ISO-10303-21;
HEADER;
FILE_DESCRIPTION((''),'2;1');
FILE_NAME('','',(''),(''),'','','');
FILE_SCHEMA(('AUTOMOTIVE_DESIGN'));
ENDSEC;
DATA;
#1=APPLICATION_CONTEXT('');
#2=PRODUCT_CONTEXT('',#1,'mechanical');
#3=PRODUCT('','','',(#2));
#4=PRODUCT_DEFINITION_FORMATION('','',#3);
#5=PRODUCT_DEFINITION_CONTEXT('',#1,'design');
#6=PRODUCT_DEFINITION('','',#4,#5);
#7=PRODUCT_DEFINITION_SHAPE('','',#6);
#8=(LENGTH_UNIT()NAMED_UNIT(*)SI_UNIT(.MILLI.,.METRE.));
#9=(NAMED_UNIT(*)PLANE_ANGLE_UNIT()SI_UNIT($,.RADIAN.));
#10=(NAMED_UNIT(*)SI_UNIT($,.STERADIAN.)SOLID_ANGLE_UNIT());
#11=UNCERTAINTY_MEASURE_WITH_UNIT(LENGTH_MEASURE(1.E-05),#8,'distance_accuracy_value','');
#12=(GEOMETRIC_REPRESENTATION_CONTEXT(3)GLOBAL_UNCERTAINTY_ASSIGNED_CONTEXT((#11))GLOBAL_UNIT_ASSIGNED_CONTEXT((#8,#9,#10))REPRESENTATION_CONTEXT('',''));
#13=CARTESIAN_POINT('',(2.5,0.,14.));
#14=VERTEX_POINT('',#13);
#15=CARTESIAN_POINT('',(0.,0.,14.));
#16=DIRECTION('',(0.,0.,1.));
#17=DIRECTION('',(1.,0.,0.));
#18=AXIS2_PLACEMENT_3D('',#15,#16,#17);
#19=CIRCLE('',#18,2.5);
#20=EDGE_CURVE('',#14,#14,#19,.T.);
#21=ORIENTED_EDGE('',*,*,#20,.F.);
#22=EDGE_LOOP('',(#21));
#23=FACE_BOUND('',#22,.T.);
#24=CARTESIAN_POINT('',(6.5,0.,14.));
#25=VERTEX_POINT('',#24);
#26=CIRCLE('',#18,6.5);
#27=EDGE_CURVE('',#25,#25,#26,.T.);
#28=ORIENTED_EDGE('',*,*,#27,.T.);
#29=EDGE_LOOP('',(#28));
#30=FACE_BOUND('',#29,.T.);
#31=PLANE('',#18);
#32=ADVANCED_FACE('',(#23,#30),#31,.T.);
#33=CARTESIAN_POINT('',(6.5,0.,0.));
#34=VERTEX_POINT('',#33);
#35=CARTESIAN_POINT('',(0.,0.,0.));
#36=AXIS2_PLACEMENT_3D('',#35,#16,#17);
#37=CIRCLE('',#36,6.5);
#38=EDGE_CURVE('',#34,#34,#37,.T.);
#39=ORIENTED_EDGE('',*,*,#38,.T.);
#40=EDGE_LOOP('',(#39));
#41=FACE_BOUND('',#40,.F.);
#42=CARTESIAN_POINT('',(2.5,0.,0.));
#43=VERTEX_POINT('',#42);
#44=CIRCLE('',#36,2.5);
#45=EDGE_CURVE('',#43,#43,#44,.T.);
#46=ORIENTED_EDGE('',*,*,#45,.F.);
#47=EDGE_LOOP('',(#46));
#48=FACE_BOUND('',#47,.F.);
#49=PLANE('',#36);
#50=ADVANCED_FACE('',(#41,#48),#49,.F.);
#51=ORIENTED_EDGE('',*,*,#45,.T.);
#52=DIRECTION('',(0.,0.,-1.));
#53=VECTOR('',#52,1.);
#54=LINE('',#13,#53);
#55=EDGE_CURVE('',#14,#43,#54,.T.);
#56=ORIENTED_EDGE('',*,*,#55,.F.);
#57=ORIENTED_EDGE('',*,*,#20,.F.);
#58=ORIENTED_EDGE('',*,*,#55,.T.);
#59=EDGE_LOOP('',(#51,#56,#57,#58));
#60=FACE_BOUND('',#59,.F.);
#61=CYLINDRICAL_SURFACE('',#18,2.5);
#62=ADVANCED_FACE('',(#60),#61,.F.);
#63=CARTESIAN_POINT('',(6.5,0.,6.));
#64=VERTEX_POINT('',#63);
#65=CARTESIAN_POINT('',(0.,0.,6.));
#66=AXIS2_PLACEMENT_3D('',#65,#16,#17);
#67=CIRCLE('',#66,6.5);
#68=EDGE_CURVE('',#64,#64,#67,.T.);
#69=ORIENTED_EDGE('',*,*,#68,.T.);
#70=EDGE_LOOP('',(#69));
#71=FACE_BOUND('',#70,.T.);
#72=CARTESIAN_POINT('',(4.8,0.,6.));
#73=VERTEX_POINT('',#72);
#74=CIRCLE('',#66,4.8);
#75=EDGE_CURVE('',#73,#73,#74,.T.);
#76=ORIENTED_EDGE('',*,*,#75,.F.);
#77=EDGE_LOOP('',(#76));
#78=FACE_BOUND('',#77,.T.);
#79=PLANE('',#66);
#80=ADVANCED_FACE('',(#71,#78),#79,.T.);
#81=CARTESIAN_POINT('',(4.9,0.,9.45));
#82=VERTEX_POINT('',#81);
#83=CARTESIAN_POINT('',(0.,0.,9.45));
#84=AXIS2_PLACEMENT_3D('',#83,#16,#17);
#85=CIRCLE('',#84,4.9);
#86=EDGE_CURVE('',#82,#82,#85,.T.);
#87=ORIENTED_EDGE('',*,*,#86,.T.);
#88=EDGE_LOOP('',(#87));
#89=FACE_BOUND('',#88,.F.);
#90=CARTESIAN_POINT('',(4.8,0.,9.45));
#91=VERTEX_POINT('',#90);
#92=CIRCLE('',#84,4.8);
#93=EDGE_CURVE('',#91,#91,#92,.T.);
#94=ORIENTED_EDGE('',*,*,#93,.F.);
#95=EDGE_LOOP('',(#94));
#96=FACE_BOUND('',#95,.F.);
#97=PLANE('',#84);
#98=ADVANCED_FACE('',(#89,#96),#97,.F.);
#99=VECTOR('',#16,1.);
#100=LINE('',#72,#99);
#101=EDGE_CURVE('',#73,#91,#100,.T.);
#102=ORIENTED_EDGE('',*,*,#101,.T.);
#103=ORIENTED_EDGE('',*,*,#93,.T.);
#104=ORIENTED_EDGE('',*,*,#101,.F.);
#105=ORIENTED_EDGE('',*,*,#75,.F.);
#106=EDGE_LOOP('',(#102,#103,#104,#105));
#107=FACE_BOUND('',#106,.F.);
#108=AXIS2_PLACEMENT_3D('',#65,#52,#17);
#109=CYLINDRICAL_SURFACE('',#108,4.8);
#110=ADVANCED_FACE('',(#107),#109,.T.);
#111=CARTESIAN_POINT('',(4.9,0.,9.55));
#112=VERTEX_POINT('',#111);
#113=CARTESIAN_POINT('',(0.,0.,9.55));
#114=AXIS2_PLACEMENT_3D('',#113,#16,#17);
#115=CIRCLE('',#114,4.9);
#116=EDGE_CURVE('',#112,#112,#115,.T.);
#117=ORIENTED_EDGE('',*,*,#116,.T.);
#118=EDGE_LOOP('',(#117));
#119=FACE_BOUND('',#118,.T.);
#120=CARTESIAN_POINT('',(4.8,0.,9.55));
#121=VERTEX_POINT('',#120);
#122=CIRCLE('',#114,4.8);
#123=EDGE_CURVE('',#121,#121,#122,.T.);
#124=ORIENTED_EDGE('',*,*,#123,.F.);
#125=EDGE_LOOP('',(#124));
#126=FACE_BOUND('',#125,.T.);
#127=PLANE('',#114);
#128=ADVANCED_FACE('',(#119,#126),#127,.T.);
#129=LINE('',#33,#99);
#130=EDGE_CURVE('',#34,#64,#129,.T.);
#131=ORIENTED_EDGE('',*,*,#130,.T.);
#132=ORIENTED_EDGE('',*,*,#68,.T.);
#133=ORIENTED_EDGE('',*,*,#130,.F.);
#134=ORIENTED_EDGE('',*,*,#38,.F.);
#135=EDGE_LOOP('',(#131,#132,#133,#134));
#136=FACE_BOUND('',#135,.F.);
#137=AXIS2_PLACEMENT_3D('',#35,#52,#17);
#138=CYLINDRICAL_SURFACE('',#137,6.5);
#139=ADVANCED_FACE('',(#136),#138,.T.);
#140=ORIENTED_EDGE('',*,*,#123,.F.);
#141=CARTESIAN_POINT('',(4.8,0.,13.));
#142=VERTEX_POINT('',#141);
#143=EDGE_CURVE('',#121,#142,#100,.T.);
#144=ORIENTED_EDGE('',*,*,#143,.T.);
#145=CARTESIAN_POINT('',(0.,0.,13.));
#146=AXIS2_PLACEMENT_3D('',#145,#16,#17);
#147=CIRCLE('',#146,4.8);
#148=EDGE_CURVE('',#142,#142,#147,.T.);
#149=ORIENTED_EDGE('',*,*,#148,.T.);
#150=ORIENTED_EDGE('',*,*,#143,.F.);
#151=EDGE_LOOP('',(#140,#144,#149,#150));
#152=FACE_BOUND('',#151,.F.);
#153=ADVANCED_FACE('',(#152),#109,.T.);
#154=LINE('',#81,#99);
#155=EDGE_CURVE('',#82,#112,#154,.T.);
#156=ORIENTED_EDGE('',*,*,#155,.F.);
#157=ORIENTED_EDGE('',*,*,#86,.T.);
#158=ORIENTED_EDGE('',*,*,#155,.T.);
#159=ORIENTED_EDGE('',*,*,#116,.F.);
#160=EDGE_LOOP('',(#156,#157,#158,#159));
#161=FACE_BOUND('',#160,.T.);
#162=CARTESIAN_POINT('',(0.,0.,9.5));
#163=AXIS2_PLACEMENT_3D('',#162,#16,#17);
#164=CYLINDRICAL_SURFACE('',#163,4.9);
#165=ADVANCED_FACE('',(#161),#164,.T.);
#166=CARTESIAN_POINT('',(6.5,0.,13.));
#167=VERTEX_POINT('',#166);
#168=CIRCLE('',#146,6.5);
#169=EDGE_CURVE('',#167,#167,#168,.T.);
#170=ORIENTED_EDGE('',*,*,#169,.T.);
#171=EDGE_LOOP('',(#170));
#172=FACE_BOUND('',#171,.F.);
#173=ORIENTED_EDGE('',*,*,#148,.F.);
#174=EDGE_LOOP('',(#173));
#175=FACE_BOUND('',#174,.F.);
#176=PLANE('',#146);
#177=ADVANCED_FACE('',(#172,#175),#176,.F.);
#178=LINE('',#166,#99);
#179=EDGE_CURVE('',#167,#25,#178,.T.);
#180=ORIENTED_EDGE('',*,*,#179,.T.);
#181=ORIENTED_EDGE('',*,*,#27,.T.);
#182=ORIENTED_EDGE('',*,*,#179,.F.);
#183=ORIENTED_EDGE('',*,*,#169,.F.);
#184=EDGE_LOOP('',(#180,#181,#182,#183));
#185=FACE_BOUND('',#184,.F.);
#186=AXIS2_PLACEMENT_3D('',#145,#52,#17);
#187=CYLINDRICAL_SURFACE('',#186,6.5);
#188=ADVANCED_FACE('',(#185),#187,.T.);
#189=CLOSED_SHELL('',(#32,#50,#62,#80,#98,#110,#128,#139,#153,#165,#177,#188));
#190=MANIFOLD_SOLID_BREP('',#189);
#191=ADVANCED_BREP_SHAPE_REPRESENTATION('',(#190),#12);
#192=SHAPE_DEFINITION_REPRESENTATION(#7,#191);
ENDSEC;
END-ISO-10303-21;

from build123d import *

# Parameters (mm, degrees)
F0_R      = 6.5
F1_DEPTH  = 6
F2_R      = 4.8
F3_DEPTH  = 7
F4_R      = 6.5
F4_R_2    = 4.8
F5_DEPTH  = 1
F6_R      = 2.5
F7_DEPTH  = 14.001
F9_R      = 4.9
F9_R_2    = 4.8
F10_DEPTH = 0.05


with BuildPart() as f1:
    # F0 (on Top) → F1 (new body)
    with BuildSketch(Plane.XY):
        Circle(F0_R)
    extrude(amount=F1_DEPTH)

    # F2 (on face) → F3 (join)
    with BuildSketch(Plane.XY.offset(6)):
        Circle(F2_R)
    extrude(amount=F3_DEPTH)

    # F4 (on face) → F5 (join)
    with BuildSketch(Plane.XY.offset(13)):
        Circle(F4_R)
        Circle(F4_R_2, mode=Mode.SUBTRACT)
        Circle(F4_R_2)
    extrude(amount=F5_DEPTH)

    # F6 (on face) → F7 (cut, through all)
    with BuildSketch(Plane.XY.offset(14)):
        Circle(F6_R)
    extrude(amount=-F7_DEPTH, mode=Mode.SUBTRACT)

    # F9 (on mid) → F10 (join, symmetric)
    with BuildSketch(Plane.XY.offset(9.5)):
        Circle(F9_R)
        Circle(F9_R_2, mode=Mode.SUBTRACT)
    extrude(amount=F10_DEPTH, both=True)


solid = f1.part
